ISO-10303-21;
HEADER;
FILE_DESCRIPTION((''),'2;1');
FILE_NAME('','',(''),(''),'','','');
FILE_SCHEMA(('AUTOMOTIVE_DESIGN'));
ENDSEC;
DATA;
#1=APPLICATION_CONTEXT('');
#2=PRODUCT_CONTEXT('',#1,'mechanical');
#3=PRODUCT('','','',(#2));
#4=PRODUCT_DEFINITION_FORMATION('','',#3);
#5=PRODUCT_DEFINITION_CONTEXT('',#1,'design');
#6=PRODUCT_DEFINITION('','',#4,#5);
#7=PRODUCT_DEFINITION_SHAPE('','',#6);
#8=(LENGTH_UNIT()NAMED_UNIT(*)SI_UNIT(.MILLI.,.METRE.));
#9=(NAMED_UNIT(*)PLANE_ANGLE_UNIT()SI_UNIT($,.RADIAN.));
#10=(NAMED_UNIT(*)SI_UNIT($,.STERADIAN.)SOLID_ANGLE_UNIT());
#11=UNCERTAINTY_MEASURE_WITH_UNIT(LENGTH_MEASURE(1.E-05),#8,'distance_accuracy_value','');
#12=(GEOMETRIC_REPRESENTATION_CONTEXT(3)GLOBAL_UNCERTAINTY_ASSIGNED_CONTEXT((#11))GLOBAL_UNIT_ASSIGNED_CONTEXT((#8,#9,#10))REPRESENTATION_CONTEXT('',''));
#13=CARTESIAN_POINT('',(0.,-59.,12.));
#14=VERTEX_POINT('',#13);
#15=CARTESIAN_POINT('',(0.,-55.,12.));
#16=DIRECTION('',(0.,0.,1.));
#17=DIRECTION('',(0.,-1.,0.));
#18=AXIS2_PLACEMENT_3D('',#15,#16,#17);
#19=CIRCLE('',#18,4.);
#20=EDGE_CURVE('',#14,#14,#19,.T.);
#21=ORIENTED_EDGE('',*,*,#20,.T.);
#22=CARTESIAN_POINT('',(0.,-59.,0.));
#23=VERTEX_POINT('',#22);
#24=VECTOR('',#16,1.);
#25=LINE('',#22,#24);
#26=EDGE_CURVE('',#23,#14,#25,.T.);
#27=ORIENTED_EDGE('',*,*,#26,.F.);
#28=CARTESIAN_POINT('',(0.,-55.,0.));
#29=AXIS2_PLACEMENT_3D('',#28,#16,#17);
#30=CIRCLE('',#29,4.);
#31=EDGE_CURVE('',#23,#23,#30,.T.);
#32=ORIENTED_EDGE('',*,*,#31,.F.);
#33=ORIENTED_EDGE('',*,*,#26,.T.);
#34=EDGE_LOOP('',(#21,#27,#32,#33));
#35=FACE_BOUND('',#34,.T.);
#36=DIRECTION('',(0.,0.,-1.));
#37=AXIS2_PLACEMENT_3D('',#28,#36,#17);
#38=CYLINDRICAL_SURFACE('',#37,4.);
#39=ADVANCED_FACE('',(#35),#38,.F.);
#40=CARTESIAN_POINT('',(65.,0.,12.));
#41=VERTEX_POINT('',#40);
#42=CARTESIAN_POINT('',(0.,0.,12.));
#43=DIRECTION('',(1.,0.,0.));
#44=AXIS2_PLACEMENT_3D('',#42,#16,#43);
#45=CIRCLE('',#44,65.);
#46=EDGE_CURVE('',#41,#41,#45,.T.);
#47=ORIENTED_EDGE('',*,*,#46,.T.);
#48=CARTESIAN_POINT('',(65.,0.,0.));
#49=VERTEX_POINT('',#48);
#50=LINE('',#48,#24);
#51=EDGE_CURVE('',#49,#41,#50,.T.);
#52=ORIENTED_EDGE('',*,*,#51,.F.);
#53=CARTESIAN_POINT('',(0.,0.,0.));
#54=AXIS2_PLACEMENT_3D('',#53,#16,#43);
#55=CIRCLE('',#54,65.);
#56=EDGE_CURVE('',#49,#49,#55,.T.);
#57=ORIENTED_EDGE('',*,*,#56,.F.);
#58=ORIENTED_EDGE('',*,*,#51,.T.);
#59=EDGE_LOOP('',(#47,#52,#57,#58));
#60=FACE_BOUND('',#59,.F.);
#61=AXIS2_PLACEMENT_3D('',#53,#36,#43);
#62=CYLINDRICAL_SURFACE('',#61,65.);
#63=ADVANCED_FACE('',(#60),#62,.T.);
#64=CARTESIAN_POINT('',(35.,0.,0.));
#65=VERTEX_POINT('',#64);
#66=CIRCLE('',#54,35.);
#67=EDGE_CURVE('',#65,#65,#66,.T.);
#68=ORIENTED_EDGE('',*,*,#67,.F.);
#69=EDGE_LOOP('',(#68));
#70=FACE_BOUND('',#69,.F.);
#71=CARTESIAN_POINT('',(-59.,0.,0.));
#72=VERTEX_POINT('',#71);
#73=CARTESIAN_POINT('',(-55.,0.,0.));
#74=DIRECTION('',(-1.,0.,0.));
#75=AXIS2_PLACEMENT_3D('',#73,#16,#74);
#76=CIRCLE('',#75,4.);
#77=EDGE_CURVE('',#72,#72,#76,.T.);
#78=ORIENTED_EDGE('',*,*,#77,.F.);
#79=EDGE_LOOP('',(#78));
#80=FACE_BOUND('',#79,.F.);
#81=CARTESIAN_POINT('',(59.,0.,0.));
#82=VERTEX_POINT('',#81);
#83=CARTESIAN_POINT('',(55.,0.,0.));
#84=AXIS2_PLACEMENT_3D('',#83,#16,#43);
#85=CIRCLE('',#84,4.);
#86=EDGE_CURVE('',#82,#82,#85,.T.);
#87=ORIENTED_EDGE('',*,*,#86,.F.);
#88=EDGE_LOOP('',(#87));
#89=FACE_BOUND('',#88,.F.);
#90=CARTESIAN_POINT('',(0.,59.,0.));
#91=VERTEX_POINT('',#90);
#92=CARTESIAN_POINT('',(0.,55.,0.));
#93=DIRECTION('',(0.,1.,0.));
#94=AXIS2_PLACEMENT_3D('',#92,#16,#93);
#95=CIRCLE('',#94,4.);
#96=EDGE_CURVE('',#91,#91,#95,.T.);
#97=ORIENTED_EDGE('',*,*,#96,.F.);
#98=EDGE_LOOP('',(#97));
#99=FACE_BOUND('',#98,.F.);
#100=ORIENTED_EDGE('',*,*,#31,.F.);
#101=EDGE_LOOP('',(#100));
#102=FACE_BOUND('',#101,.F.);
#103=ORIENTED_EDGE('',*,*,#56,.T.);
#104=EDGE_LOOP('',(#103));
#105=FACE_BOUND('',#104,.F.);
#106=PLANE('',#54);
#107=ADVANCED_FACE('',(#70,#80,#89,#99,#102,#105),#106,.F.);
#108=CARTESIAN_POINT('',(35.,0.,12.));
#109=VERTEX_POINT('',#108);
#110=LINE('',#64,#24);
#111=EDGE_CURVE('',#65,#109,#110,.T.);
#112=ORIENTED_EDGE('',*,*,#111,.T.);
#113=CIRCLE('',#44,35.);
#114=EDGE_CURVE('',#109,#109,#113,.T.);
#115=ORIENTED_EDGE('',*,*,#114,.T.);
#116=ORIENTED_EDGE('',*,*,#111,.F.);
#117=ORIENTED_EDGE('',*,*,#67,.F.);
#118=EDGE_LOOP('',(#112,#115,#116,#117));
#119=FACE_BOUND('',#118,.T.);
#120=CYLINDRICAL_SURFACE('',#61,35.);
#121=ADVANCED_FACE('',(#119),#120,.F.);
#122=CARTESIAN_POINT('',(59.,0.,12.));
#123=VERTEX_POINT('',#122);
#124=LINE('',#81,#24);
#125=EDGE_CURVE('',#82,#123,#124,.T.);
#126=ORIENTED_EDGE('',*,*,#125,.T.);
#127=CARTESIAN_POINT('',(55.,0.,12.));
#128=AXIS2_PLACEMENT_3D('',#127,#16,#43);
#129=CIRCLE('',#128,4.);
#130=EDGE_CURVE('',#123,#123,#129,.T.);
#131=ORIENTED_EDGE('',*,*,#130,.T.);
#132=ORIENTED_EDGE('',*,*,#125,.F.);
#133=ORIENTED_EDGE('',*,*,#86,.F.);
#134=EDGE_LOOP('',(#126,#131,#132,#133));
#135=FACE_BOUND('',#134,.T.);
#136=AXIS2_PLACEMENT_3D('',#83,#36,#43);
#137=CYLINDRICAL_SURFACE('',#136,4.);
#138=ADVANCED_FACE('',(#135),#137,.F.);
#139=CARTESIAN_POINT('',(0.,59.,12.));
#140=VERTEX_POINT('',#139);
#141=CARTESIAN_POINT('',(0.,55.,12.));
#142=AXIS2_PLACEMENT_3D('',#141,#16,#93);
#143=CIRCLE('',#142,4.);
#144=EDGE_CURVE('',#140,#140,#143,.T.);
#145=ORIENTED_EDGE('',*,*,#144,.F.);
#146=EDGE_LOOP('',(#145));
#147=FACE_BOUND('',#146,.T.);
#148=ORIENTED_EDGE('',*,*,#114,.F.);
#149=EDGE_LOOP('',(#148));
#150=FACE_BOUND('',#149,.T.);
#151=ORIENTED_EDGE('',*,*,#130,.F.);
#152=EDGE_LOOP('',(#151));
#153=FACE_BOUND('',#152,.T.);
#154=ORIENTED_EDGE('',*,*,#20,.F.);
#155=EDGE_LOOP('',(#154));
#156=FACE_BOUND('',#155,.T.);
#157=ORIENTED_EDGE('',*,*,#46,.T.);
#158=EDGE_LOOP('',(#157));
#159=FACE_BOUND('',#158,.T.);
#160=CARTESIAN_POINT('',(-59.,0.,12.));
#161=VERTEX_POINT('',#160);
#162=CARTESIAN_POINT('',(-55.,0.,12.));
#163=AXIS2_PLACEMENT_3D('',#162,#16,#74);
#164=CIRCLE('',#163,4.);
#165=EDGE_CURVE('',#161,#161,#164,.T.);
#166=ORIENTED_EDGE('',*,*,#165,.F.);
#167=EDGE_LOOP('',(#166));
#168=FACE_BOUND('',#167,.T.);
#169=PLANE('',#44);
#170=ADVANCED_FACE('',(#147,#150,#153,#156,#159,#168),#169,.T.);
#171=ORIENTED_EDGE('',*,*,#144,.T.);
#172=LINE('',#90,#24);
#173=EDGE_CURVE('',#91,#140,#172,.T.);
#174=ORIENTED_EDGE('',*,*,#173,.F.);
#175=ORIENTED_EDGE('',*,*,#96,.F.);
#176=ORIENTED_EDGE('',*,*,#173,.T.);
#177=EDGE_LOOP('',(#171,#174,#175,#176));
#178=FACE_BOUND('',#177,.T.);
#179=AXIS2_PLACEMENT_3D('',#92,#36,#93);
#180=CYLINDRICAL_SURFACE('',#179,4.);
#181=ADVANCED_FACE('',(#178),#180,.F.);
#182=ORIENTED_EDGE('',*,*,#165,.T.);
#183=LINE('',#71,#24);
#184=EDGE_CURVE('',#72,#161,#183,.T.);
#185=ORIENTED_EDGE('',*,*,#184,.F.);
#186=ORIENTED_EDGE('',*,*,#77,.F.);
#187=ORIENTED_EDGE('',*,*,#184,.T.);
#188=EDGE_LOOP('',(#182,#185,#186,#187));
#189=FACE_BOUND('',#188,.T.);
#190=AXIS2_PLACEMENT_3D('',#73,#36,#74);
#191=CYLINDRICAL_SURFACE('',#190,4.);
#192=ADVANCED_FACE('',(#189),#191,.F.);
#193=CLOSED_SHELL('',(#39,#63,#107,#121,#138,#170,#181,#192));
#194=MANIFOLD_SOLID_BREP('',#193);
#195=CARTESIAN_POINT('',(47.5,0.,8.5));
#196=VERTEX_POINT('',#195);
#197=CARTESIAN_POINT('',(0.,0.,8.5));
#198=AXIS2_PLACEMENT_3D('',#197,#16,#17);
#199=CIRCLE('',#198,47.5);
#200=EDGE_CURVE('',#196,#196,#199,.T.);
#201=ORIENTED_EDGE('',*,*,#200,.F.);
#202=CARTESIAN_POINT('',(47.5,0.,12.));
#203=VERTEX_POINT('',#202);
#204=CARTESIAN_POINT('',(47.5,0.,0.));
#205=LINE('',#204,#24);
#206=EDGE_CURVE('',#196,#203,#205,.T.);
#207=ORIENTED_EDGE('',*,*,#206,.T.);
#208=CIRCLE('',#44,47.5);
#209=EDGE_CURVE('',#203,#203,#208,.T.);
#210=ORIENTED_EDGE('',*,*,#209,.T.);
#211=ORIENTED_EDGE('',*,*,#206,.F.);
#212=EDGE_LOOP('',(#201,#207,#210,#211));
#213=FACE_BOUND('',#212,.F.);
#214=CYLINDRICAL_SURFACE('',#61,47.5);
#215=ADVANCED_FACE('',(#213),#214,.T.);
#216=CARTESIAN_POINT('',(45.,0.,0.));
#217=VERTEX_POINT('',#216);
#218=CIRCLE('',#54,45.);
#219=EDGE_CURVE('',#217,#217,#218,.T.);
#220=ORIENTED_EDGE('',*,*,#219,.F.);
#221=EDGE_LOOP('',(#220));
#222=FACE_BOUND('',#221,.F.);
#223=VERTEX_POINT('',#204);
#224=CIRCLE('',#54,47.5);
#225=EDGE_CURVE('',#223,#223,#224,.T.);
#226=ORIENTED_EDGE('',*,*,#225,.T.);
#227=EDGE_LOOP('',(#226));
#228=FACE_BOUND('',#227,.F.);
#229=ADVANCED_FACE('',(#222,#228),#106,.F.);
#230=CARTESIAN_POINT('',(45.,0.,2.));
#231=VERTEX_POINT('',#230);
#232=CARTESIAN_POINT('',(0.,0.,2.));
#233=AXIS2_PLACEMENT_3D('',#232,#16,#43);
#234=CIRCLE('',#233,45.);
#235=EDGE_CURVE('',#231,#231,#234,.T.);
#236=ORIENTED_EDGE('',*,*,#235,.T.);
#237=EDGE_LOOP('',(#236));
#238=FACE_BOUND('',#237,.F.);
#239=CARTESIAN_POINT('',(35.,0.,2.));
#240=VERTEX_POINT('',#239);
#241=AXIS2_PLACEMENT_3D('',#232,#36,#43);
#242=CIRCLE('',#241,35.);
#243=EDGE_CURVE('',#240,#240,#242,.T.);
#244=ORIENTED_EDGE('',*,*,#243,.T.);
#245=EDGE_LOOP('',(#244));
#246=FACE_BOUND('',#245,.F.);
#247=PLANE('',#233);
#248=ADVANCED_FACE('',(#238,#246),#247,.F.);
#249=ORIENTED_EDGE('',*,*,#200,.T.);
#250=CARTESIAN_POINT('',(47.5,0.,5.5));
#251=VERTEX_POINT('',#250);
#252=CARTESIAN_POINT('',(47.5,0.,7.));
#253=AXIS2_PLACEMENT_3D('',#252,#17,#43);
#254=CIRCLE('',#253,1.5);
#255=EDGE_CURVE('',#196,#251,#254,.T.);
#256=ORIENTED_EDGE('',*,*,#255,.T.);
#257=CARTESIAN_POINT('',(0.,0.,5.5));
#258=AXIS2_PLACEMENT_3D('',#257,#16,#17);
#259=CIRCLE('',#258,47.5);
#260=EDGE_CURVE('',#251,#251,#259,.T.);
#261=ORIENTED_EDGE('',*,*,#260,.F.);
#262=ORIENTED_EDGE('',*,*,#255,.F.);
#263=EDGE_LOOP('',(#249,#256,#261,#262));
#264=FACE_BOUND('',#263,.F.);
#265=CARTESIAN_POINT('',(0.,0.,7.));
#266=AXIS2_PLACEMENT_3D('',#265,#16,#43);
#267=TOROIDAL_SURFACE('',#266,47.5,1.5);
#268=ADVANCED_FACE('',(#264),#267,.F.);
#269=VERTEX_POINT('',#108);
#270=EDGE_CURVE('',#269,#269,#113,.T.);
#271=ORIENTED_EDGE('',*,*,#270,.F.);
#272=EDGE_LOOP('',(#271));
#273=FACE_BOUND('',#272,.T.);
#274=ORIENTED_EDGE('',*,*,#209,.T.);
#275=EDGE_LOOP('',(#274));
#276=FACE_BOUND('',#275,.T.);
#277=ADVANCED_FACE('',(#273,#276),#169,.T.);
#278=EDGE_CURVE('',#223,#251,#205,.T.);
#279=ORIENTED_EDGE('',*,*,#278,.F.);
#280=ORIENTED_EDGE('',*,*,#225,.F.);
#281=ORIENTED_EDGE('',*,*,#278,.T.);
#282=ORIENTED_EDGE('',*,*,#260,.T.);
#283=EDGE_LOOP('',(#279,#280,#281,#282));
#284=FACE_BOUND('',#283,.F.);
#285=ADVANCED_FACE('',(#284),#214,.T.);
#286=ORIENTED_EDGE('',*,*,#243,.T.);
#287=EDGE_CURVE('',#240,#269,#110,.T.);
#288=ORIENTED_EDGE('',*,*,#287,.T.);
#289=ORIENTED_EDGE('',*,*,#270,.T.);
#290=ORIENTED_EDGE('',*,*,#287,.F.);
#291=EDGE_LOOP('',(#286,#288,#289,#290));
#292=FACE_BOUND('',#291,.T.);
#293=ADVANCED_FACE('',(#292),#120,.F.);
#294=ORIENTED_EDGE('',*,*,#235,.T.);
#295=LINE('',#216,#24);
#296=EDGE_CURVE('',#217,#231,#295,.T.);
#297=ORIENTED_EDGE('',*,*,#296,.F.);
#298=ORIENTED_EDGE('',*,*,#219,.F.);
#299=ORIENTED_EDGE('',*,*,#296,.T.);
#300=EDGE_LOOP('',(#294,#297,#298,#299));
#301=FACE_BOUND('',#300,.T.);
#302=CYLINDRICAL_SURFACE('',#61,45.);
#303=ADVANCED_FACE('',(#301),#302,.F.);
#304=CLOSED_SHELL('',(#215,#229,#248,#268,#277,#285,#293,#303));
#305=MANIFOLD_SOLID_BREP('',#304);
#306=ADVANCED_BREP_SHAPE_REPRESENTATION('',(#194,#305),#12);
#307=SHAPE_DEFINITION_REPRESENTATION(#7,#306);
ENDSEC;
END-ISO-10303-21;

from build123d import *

# Parameters (mm, degrees)
CYLINDER002_R     = 4
CYLINDER002_DEPTH = 12
ARRAY_COUNT       = 4
CYLINDER001_R     = 35
CYLINDER001_DEPTH = 12
CYLINDER_R        = 65
CYLINDER_DEPTH    = 12
TORUS_R           = 1.5
CYLINDER005_R     = 45
CYLINDER005_DEPTH = 2
CYLINDER004_R     = 35
CYLINDER004_DEPTH = 12
CYLINDER003_R     = 47.5
CYLINDER003_DEPTH = 12


with BuildPart() as array:
    # Cylinder002 → Cylinder002 (new body)
    with BuildSketch(Plane(origin=(55, 0, 0), x_dir=(1, 0, 0), z_dir=(0, 0, 1))):
        Circle(CYLINDER002_R)
    extrude(amount=CYLINDER002_DEPTH)

    # Array: Array ×4 about axis
    array_axis = Axis((0, 0, 0), (0, 0, 1))


with BuildPart() as array_1:
    add(array.part)
    for i in range(1, ARRAY_COUNT):
        add(array.part.rotate(array_axis, i * 360 / ARRAY_COUNT))


with BuildPart() as cylinder001:
    # Cylinder001 → Cylinder001 (new body)
    with BuildSketch(Plane.XY):
        Circle(CYLINDER001_R)
    extrude(amount=CYLINDER001_DEPTH)


with BuildPart() as boltedflange:
    # Cylinder → Cylinder (new body)
    with BuildSketch(Plane.XY):
        Circle(CYLINDER_R)
    extrude(amount=CYLINDER_DEPTH)

    # Cut: cut Cylinder001
    add(cylinder001.part, mode=Mode.SUBTRACT)

    # Cut001: cut Array
    add(array_1.part, mode=Mode.SUBTRACT)


with BuildPart() as torus:
    # Torus → Torus (revolve)
    with BuildSketch(Plane(origin=(0, 0, 7), x_dir=(1, 0, 0), z_dir=(0, -1, 0))):
        with Locations((47.5, 0)):
            Circle(TORUS_R)
    revolve(axis=Axis((0, 0, 7), (0, 0, 1)))


with BuildPart() as cylinder005:
    # Cylinder005 → Cylinder005 (new body)
    with BuildSketch(Plane.XY):
        Circle(CYLINDER005_R)
    extrude(amount=CYLINDER005_DEPTH)


with BuildPart() as fusion:
    # Cylinder004 → Cylinder004 (new body)
    with BuildSketch(Plane.XY):
        Circle(CYLINDER004_R)
    extrude(amount=CYLINDER004_DEPTH)

    # Fusion: union Cylinder005
    add(cylinder005.part)


with BuildPart() as collarforclampedorrotational:
    # Cylinder003 → Cylinder003 (new body)
    with BuildSketch(Plane.XY):
        Circle(CYLINDER003_R)
    extrude(amount=CYLINDER003_DEPTH)

    # Cut002: cut Fusion
    add(fusion.part, mode=Mode.SUBTRACT)

    # Cut003: cut Torus
    add(torus.part, mode=Mode.SUBTRACT)


solid = Compound([boltedflange.part, collarforclampedorrotational.part])
